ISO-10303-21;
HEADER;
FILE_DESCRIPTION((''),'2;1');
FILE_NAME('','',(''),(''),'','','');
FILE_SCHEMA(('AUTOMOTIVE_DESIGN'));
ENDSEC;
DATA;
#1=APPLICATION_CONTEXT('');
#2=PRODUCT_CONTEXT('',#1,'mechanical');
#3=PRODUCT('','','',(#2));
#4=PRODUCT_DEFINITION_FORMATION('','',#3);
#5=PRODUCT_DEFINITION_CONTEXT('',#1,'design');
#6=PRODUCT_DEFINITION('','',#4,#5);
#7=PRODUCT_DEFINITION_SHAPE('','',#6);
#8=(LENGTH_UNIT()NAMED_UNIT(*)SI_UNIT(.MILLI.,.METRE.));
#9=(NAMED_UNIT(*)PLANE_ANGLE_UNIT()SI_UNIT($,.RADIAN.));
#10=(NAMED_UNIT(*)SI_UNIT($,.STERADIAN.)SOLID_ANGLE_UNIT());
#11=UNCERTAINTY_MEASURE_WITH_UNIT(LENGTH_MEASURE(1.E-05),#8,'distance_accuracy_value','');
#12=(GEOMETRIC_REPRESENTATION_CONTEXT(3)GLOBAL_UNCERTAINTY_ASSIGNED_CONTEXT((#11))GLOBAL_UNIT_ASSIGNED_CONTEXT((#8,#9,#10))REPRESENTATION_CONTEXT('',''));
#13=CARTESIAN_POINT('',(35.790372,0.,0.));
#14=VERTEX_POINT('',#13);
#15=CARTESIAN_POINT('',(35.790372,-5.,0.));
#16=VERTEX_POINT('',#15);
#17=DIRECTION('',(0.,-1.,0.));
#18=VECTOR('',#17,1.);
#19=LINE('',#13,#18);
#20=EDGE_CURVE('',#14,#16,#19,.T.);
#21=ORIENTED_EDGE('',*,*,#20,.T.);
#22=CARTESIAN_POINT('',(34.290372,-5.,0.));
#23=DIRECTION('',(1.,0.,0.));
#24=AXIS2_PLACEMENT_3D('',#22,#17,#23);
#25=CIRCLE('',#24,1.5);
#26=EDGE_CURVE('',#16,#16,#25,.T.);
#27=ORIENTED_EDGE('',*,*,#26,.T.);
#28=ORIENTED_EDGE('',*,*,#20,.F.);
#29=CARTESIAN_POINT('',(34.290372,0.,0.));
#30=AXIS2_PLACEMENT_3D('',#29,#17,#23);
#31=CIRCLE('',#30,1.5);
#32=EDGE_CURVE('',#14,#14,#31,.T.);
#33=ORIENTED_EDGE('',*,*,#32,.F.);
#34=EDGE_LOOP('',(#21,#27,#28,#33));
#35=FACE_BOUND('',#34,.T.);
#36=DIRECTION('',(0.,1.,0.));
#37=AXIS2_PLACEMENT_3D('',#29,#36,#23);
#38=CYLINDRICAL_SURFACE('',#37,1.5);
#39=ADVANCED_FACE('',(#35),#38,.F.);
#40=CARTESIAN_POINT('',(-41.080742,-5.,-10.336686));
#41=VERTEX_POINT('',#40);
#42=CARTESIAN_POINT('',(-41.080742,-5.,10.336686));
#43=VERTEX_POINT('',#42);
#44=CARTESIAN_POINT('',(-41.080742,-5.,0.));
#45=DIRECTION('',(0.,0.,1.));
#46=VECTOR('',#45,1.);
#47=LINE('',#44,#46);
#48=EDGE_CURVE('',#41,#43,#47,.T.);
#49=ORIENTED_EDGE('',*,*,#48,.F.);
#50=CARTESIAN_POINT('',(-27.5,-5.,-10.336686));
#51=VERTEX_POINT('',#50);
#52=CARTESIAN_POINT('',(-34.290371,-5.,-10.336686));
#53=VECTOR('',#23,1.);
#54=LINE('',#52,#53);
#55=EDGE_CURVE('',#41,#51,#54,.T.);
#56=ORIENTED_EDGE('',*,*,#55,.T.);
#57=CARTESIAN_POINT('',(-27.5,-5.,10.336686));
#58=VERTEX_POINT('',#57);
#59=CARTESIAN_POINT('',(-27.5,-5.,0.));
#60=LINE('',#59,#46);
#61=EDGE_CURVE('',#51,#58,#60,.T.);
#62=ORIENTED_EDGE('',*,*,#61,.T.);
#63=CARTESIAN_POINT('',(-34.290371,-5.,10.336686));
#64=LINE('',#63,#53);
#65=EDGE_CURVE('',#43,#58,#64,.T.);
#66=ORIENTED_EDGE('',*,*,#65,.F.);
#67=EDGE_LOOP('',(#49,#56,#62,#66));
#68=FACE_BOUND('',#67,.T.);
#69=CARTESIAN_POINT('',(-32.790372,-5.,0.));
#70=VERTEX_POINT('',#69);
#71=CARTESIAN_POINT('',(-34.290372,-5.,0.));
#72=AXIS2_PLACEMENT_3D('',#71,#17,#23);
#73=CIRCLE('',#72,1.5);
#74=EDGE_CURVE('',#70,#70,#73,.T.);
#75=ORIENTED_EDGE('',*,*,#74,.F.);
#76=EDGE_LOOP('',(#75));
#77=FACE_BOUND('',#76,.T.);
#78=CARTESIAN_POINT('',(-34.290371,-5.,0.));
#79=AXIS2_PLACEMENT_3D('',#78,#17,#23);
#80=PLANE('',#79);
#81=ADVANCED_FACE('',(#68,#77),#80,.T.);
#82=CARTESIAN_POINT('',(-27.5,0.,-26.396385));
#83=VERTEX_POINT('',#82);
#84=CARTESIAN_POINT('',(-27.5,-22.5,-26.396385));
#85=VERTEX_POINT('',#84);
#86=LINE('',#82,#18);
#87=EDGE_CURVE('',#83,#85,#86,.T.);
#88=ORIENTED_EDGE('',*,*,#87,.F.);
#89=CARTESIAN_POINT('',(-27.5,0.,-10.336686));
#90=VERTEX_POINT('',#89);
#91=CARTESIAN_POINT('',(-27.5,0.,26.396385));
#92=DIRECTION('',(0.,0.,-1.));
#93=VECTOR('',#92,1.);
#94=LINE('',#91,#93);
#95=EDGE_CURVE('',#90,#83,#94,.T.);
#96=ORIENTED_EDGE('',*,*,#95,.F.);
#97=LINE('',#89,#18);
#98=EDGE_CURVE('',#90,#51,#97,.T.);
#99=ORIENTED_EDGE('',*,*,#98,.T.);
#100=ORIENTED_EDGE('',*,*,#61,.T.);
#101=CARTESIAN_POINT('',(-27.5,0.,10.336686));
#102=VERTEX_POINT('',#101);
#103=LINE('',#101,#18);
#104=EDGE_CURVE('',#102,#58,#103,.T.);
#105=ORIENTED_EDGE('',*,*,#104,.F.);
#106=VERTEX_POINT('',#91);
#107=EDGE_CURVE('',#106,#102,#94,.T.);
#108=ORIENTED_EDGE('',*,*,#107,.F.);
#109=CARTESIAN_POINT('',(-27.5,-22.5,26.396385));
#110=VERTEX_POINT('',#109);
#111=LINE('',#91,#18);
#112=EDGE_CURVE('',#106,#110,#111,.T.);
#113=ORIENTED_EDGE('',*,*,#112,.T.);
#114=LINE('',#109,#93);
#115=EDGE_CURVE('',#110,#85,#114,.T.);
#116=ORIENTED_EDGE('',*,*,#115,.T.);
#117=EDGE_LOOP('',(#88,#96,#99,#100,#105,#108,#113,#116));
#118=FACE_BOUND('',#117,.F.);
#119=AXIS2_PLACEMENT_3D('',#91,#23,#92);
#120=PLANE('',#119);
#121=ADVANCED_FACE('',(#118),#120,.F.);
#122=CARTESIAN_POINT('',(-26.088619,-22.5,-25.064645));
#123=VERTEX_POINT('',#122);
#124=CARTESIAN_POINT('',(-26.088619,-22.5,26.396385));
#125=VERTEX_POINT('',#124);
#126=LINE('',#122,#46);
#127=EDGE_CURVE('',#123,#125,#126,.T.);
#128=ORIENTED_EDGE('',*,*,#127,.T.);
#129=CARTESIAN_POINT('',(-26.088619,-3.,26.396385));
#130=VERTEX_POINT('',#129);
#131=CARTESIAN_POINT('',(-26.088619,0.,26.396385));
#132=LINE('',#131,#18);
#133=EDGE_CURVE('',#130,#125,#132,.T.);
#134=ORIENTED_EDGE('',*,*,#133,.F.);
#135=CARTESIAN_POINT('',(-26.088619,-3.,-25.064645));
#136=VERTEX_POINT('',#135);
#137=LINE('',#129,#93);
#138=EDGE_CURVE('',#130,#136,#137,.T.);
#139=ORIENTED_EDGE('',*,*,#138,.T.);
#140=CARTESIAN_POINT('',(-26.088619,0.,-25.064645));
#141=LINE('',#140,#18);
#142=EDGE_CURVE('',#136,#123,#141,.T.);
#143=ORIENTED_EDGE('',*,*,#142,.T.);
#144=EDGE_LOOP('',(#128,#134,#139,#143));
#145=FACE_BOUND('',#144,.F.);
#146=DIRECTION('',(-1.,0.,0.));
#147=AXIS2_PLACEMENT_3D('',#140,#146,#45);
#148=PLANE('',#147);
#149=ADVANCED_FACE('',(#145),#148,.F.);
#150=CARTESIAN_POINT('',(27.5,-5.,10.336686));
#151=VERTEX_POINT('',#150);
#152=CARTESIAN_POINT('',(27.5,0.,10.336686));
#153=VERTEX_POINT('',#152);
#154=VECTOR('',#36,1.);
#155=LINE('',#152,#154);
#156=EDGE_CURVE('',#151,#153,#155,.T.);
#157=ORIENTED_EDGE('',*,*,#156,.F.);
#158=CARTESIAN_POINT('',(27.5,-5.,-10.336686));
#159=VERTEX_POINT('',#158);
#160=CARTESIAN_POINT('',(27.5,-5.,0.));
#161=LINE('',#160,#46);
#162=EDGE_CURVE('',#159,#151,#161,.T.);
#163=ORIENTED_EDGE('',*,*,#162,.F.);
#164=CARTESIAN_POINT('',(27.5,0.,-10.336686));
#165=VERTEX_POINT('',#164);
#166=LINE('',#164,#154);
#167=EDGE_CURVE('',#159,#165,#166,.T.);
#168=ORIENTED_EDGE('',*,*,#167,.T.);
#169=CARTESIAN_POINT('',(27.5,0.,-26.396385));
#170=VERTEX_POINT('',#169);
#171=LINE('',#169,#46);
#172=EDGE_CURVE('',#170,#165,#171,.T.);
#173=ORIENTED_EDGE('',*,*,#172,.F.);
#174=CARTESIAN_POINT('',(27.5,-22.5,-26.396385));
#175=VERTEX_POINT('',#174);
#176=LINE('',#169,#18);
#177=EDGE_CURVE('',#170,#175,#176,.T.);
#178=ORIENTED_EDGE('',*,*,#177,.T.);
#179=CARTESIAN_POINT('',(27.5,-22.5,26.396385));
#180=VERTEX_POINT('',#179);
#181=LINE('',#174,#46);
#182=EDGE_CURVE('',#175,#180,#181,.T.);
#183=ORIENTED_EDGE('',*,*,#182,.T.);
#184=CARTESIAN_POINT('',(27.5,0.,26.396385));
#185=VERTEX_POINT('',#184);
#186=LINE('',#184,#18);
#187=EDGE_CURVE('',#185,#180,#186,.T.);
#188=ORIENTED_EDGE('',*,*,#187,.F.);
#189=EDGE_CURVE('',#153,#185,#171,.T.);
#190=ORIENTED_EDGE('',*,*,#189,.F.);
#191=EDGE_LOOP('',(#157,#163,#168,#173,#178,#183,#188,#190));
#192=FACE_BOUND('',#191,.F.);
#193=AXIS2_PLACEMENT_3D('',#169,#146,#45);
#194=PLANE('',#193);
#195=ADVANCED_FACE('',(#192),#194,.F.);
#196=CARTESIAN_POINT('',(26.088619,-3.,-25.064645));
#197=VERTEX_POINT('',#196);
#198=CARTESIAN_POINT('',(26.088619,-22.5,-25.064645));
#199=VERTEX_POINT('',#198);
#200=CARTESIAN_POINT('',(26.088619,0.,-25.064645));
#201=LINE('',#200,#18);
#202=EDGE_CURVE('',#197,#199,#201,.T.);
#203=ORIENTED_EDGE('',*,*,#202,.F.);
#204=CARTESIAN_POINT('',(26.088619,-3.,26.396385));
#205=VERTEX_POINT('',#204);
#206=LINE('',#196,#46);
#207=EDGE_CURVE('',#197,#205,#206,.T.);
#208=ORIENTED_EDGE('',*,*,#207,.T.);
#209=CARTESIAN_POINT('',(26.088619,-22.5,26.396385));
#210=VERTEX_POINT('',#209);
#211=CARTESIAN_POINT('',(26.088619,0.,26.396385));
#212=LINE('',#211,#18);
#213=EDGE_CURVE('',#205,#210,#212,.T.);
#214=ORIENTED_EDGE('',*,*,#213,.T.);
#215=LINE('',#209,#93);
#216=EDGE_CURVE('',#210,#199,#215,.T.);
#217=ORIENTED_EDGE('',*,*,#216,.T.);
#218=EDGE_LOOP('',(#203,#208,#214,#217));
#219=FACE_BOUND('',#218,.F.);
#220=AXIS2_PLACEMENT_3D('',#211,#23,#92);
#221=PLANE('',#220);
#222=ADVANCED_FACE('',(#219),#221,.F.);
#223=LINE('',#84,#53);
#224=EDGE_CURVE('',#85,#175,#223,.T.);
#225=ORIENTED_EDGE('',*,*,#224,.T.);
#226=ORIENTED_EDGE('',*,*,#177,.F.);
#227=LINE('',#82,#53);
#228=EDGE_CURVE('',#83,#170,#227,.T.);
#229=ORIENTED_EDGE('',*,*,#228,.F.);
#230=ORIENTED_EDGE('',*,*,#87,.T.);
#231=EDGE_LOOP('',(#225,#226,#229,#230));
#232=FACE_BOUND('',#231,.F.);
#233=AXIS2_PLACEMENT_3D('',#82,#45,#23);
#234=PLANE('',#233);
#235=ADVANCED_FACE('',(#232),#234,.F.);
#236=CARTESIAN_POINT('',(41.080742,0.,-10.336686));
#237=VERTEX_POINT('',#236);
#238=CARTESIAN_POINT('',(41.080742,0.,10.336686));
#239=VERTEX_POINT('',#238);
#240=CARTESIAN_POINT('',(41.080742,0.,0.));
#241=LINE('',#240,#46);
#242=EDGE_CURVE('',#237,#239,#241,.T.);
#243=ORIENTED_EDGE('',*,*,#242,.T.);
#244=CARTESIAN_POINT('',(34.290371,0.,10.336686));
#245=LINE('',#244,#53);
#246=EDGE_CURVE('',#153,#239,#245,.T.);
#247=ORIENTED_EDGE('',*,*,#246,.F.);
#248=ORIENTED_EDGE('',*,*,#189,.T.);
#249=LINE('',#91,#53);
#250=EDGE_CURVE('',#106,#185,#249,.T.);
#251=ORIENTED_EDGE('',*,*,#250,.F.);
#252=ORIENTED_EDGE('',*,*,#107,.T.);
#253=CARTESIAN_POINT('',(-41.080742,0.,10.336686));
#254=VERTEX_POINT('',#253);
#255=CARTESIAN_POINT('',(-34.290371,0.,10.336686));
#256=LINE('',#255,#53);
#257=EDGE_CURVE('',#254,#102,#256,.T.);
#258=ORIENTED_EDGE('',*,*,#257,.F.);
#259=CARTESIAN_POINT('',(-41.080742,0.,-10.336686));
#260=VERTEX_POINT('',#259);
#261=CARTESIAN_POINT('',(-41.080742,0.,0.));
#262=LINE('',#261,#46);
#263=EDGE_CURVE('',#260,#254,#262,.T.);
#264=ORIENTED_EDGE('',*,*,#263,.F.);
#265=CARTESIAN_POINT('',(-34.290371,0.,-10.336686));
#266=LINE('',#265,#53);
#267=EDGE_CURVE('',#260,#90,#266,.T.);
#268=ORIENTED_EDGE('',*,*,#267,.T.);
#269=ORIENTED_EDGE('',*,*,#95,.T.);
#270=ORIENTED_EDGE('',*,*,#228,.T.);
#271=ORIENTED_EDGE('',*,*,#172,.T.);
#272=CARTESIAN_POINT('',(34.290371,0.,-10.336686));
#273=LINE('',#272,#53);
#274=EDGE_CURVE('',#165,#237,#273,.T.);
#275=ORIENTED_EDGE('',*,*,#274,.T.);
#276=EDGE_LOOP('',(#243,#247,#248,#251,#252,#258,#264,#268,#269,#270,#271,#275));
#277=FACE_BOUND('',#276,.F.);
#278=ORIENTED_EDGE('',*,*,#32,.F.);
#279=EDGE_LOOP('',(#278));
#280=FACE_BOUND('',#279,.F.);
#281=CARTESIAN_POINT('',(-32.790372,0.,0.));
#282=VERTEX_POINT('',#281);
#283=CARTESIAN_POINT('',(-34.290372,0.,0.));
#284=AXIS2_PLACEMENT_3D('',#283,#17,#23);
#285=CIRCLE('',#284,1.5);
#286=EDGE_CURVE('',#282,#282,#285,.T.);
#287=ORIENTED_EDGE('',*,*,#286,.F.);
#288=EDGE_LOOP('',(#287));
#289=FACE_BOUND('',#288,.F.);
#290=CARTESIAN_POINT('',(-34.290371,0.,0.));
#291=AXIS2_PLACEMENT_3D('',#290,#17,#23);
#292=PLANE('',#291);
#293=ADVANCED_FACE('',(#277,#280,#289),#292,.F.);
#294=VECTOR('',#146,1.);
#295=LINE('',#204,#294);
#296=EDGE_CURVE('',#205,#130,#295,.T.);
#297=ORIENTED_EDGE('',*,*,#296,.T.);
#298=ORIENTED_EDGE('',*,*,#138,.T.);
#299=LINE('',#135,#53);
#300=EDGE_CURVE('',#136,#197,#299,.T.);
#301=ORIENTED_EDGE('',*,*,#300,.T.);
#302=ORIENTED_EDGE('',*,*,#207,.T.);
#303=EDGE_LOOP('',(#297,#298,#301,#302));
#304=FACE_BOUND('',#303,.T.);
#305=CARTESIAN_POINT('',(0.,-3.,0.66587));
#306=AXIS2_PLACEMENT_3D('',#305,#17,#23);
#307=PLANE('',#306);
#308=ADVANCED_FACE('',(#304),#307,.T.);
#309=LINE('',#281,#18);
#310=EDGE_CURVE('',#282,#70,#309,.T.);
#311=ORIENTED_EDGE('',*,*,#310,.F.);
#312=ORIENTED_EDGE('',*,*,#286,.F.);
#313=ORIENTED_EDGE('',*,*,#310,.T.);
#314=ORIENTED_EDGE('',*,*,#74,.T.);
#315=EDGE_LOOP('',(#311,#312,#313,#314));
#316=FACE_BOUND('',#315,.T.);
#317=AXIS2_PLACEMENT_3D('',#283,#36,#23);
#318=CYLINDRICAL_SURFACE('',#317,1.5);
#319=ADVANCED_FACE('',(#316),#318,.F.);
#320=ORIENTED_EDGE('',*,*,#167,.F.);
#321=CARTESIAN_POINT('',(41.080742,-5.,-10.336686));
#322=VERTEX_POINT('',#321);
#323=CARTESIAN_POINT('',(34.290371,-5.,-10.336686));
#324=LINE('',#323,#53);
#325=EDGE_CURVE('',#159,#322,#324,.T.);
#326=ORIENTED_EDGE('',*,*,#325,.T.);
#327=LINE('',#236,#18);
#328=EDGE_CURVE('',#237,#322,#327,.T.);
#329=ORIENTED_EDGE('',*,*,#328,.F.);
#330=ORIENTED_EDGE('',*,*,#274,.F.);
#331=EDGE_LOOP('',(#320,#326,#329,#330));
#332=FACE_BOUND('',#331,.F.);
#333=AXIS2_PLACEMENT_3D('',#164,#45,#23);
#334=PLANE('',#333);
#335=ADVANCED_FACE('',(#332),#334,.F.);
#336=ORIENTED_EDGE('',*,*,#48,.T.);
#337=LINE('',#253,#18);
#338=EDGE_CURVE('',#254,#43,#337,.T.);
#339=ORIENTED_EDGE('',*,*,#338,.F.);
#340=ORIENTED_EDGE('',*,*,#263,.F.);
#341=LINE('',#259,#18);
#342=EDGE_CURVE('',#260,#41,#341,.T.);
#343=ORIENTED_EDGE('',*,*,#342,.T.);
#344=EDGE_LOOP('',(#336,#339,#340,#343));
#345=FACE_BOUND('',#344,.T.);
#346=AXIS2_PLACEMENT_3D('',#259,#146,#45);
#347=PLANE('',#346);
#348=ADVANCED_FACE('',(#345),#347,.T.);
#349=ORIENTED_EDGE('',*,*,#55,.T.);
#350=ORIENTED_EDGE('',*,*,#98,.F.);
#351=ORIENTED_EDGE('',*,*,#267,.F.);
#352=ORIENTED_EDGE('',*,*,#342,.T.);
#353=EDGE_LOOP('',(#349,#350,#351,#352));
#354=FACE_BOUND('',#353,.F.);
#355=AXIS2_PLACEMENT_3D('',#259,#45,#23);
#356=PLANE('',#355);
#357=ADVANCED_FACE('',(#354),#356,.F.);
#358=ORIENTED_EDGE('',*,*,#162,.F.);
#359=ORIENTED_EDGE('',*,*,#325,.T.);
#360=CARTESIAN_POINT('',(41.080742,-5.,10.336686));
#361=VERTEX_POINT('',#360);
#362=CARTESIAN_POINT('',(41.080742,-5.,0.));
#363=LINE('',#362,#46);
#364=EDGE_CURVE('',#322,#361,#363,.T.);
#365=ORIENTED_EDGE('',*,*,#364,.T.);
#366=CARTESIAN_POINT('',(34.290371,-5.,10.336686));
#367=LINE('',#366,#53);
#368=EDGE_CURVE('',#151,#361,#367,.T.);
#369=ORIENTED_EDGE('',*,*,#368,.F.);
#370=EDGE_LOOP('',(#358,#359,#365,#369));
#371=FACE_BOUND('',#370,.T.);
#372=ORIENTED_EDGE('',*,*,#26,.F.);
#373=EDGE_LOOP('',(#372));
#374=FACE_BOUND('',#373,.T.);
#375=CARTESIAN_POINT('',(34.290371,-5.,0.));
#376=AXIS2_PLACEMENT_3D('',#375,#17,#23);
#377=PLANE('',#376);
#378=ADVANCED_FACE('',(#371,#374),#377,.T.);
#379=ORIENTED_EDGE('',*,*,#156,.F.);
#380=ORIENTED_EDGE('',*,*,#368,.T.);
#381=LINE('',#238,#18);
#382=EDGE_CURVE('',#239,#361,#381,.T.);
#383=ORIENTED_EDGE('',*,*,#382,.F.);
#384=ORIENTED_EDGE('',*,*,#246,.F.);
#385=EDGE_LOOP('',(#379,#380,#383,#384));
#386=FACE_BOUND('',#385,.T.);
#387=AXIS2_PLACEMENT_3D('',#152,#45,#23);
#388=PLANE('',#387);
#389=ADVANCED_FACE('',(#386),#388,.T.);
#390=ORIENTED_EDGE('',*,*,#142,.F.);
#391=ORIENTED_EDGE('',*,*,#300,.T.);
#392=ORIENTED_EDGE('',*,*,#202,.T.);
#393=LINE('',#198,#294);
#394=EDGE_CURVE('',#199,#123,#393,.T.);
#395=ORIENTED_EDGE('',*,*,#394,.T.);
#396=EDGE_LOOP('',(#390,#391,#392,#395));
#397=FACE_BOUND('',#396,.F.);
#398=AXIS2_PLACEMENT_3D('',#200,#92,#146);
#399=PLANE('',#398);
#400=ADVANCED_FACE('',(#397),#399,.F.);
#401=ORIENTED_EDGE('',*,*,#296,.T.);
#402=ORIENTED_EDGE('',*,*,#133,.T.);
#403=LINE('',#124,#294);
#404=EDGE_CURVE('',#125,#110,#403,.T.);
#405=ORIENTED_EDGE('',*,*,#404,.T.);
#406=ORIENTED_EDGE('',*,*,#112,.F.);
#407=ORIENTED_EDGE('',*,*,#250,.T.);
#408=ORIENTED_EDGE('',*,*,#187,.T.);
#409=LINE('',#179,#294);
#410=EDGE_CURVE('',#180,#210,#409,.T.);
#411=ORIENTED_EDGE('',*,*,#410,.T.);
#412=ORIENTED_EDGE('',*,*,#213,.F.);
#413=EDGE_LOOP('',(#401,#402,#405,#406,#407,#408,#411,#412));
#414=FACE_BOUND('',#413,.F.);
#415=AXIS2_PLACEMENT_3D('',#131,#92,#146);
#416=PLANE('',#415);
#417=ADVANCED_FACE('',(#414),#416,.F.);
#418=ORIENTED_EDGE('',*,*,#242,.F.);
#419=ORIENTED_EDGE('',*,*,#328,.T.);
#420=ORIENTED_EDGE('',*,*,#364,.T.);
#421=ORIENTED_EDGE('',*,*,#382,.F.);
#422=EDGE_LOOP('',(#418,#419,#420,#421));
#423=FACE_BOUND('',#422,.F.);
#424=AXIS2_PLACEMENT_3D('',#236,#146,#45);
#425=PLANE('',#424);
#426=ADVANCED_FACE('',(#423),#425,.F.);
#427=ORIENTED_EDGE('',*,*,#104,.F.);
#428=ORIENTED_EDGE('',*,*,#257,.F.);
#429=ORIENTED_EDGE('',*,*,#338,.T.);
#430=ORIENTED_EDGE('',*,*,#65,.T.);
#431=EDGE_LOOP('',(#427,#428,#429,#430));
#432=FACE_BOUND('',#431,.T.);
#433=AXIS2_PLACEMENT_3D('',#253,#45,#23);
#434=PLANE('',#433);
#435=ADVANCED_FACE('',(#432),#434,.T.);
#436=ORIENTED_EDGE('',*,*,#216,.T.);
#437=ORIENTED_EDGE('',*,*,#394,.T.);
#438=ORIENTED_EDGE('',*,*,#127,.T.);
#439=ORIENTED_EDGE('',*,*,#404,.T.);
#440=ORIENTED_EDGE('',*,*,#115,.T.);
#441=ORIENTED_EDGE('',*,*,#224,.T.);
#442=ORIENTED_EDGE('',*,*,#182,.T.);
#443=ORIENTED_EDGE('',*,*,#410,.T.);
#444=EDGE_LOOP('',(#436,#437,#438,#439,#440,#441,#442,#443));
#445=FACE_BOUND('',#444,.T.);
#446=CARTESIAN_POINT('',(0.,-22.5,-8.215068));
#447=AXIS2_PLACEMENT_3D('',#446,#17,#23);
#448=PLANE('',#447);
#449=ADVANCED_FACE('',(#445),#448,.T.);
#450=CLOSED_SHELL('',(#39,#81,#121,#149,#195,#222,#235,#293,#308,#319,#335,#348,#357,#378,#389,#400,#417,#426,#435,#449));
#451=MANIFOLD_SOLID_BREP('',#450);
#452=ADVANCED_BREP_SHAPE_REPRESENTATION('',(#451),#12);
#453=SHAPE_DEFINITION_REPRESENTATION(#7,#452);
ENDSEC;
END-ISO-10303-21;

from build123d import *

# Parameters (mm, degrees)
F1_DEPTH = 3
F2_DEPTH = 22.5
F0_W     = 13.580743
F0_H     = 20.673372
F0_R     = 1.5
F3_DEPTH = 5


with BuildPart() as f1:
    # F0 (on Front) → F1 (new body)
    with BuildSketch(Plane.XZ):
        Polygon((26.088619, 25.064645), (26.088619, 26.396385), (-26.088619, 26.396385), (-26.088619, 25.064645), (-26.088619, -25.064645), (26.088619, -25.064645), align=None)
    extrude(amount=F1_DEPTH)

    # F0 (on Front) → F2 (join)
    with BuildSketch(Plane.XZ):
        Polygon((-27.5, -26.396385), (27.5, -26.396385), (27.5, -10.336686), (27.5, 10.336686), (27.5, 26.396385), (26.088619, 26.396385), (26.088619, 25.064645), (26.088619, -25.064645), (-26.088619, -25.064645), (-26.088619, 25.064645), (-26.088619, 26.396385), (-27.5, 26.396385), (-27.5, 10.336686), (-27.5, -10.336686), align=None)
    extrude(amount=F2_DEPTH)

    # F0 (on Front) → F3 (join)
    with BuildSketch(Plane.XZ):
        with Locations((-34.290371, 0)):
            Rectangle(F0_W, F0_H)
        with Locations((-34.290372, 0)):
            Circle(F0_R, mode=Mode.SUBTRACT)
        with Locations((34.290371, 0)):
            Rectangle(F0_W, F0_H)
        with Locations((34.290372, 0)):
            Circle(F0_R, mode=Mode.SUBTRACT)
    extrude(amount=F3_DEPTH)


solid = f1.part
